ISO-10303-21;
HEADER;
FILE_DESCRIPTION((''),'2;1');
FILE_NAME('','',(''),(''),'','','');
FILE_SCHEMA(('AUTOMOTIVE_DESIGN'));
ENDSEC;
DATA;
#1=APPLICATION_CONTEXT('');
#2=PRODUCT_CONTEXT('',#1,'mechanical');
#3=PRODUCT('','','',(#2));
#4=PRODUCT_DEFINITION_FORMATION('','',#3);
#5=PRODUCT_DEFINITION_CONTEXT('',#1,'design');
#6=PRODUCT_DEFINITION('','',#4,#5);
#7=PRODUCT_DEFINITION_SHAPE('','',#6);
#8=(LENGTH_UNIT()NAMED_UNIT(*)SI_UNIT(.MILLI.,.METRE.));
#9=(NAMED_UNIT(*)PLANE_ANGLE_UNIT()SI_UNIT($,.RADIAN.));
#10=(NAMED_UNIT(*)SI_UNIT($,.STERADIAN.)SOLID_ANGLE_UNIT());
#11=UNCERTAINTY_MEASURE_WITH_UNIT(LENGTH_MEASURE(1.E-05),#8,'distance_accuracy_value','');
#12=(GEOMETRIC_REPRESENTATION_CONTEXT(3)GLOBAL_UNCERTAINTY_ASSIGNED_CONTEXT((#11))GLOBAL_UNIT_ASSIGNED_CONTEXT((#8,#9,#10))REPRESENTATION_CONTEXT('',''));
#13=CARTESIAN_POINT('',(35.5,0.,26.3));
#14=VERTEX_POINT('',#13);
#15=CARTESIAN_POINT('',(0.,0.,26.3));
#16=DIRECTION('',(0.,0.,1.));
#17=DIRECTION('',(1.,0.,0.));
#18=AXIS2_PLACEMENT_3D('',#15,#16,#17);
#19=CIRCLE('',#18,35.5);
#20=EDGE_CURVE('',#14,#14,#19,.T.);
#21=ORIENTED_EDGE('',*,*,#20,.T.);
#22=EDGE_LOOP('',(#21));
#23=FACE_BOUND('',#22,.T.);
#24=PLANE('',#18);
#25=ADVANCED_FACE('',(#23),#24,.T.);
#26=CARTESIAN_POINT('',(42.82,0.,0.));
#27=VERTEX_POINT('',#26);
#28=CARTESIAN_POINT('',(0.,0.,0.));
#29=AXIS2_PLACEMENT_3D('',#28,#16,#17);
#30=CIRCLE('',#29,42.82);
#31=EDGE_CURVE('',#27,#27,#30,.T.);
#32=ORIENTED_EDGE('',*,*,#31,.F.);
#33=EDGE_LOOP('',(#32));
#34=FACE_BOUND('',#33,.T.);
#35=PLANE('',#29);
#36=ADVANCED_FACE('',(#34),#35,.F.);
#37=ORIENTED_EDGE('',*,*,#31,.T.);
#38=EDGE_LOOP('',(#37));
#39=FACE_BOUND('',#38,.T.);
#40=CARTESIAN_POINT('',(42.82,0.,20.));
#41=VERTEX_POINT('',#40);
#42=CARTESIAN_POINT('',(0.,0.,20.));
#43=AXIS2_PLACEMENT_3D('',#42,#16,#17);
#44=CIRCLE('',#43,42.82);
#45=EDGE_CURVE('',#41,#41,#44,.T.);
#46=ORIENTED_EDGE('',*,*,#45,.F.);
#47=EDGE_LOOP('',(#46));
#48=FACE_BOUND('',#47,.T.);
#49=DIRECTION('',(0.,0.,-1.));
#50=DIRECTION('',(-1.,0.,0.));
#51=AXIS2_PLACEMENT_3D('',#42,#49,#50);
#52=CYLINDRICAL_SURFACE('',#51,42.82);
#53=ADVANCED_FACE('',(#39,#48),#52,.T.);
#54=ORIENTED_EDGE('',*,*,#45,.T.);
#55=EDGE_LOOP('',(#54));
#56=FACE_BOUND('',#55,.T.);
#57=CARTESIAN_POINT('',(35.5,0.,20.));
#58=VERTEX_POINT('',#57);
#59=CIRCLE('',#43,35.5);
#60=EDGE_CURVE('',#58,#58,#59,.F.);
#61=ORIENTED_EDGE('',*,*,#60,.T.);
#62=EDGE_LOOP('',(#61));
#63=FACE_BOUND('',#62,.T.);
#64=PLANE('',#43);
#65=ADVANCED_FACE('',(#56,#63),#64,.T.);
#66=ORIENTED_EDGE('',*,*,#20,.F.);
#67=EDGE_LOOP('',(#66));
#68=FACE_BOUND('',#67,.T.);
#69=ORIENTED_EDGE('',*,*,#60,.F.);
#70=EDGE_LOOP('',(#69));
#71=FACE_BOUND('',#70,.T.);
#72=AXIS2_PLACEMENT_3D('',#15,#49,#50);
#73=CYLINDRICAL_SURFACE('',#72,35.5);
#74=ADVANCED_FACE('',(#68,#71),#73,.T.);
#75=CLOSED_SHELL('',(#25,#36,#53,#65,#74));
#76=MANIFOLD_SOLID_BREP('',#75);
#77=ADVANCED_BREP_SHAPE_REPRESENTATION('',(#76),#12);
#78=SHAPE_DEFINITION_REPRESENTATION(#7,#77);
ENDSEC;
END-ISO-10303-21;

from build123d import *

# Parameters (mm, degrees)
CROQUIS1_R              = 42.82
SALIENTE_EXTRUIR2_DEPTH = 20
CROQUIS1_3_R            = 35.5
SALIENTE_EXTRUIR3_DEPTH = 26.3


with BuildPart() as part:
    # Croquis1 → Saliente-Extruir2 (new body)
    with BuildSketch(Plane.XY):
        Circle(CROQUIS1_R)
    extrude(amount=SALIENTE_EXTRUIR2_DEPTH)

    # Croquis1<3> → Saliente-Extruir3 (add)
    with BuildSketch(Plane.XY):
        Circle(CROQUIS1_3_R)
    extrude(amount=SALIENTE_EXTRUIR3_DEPTH)


solid = part.part
